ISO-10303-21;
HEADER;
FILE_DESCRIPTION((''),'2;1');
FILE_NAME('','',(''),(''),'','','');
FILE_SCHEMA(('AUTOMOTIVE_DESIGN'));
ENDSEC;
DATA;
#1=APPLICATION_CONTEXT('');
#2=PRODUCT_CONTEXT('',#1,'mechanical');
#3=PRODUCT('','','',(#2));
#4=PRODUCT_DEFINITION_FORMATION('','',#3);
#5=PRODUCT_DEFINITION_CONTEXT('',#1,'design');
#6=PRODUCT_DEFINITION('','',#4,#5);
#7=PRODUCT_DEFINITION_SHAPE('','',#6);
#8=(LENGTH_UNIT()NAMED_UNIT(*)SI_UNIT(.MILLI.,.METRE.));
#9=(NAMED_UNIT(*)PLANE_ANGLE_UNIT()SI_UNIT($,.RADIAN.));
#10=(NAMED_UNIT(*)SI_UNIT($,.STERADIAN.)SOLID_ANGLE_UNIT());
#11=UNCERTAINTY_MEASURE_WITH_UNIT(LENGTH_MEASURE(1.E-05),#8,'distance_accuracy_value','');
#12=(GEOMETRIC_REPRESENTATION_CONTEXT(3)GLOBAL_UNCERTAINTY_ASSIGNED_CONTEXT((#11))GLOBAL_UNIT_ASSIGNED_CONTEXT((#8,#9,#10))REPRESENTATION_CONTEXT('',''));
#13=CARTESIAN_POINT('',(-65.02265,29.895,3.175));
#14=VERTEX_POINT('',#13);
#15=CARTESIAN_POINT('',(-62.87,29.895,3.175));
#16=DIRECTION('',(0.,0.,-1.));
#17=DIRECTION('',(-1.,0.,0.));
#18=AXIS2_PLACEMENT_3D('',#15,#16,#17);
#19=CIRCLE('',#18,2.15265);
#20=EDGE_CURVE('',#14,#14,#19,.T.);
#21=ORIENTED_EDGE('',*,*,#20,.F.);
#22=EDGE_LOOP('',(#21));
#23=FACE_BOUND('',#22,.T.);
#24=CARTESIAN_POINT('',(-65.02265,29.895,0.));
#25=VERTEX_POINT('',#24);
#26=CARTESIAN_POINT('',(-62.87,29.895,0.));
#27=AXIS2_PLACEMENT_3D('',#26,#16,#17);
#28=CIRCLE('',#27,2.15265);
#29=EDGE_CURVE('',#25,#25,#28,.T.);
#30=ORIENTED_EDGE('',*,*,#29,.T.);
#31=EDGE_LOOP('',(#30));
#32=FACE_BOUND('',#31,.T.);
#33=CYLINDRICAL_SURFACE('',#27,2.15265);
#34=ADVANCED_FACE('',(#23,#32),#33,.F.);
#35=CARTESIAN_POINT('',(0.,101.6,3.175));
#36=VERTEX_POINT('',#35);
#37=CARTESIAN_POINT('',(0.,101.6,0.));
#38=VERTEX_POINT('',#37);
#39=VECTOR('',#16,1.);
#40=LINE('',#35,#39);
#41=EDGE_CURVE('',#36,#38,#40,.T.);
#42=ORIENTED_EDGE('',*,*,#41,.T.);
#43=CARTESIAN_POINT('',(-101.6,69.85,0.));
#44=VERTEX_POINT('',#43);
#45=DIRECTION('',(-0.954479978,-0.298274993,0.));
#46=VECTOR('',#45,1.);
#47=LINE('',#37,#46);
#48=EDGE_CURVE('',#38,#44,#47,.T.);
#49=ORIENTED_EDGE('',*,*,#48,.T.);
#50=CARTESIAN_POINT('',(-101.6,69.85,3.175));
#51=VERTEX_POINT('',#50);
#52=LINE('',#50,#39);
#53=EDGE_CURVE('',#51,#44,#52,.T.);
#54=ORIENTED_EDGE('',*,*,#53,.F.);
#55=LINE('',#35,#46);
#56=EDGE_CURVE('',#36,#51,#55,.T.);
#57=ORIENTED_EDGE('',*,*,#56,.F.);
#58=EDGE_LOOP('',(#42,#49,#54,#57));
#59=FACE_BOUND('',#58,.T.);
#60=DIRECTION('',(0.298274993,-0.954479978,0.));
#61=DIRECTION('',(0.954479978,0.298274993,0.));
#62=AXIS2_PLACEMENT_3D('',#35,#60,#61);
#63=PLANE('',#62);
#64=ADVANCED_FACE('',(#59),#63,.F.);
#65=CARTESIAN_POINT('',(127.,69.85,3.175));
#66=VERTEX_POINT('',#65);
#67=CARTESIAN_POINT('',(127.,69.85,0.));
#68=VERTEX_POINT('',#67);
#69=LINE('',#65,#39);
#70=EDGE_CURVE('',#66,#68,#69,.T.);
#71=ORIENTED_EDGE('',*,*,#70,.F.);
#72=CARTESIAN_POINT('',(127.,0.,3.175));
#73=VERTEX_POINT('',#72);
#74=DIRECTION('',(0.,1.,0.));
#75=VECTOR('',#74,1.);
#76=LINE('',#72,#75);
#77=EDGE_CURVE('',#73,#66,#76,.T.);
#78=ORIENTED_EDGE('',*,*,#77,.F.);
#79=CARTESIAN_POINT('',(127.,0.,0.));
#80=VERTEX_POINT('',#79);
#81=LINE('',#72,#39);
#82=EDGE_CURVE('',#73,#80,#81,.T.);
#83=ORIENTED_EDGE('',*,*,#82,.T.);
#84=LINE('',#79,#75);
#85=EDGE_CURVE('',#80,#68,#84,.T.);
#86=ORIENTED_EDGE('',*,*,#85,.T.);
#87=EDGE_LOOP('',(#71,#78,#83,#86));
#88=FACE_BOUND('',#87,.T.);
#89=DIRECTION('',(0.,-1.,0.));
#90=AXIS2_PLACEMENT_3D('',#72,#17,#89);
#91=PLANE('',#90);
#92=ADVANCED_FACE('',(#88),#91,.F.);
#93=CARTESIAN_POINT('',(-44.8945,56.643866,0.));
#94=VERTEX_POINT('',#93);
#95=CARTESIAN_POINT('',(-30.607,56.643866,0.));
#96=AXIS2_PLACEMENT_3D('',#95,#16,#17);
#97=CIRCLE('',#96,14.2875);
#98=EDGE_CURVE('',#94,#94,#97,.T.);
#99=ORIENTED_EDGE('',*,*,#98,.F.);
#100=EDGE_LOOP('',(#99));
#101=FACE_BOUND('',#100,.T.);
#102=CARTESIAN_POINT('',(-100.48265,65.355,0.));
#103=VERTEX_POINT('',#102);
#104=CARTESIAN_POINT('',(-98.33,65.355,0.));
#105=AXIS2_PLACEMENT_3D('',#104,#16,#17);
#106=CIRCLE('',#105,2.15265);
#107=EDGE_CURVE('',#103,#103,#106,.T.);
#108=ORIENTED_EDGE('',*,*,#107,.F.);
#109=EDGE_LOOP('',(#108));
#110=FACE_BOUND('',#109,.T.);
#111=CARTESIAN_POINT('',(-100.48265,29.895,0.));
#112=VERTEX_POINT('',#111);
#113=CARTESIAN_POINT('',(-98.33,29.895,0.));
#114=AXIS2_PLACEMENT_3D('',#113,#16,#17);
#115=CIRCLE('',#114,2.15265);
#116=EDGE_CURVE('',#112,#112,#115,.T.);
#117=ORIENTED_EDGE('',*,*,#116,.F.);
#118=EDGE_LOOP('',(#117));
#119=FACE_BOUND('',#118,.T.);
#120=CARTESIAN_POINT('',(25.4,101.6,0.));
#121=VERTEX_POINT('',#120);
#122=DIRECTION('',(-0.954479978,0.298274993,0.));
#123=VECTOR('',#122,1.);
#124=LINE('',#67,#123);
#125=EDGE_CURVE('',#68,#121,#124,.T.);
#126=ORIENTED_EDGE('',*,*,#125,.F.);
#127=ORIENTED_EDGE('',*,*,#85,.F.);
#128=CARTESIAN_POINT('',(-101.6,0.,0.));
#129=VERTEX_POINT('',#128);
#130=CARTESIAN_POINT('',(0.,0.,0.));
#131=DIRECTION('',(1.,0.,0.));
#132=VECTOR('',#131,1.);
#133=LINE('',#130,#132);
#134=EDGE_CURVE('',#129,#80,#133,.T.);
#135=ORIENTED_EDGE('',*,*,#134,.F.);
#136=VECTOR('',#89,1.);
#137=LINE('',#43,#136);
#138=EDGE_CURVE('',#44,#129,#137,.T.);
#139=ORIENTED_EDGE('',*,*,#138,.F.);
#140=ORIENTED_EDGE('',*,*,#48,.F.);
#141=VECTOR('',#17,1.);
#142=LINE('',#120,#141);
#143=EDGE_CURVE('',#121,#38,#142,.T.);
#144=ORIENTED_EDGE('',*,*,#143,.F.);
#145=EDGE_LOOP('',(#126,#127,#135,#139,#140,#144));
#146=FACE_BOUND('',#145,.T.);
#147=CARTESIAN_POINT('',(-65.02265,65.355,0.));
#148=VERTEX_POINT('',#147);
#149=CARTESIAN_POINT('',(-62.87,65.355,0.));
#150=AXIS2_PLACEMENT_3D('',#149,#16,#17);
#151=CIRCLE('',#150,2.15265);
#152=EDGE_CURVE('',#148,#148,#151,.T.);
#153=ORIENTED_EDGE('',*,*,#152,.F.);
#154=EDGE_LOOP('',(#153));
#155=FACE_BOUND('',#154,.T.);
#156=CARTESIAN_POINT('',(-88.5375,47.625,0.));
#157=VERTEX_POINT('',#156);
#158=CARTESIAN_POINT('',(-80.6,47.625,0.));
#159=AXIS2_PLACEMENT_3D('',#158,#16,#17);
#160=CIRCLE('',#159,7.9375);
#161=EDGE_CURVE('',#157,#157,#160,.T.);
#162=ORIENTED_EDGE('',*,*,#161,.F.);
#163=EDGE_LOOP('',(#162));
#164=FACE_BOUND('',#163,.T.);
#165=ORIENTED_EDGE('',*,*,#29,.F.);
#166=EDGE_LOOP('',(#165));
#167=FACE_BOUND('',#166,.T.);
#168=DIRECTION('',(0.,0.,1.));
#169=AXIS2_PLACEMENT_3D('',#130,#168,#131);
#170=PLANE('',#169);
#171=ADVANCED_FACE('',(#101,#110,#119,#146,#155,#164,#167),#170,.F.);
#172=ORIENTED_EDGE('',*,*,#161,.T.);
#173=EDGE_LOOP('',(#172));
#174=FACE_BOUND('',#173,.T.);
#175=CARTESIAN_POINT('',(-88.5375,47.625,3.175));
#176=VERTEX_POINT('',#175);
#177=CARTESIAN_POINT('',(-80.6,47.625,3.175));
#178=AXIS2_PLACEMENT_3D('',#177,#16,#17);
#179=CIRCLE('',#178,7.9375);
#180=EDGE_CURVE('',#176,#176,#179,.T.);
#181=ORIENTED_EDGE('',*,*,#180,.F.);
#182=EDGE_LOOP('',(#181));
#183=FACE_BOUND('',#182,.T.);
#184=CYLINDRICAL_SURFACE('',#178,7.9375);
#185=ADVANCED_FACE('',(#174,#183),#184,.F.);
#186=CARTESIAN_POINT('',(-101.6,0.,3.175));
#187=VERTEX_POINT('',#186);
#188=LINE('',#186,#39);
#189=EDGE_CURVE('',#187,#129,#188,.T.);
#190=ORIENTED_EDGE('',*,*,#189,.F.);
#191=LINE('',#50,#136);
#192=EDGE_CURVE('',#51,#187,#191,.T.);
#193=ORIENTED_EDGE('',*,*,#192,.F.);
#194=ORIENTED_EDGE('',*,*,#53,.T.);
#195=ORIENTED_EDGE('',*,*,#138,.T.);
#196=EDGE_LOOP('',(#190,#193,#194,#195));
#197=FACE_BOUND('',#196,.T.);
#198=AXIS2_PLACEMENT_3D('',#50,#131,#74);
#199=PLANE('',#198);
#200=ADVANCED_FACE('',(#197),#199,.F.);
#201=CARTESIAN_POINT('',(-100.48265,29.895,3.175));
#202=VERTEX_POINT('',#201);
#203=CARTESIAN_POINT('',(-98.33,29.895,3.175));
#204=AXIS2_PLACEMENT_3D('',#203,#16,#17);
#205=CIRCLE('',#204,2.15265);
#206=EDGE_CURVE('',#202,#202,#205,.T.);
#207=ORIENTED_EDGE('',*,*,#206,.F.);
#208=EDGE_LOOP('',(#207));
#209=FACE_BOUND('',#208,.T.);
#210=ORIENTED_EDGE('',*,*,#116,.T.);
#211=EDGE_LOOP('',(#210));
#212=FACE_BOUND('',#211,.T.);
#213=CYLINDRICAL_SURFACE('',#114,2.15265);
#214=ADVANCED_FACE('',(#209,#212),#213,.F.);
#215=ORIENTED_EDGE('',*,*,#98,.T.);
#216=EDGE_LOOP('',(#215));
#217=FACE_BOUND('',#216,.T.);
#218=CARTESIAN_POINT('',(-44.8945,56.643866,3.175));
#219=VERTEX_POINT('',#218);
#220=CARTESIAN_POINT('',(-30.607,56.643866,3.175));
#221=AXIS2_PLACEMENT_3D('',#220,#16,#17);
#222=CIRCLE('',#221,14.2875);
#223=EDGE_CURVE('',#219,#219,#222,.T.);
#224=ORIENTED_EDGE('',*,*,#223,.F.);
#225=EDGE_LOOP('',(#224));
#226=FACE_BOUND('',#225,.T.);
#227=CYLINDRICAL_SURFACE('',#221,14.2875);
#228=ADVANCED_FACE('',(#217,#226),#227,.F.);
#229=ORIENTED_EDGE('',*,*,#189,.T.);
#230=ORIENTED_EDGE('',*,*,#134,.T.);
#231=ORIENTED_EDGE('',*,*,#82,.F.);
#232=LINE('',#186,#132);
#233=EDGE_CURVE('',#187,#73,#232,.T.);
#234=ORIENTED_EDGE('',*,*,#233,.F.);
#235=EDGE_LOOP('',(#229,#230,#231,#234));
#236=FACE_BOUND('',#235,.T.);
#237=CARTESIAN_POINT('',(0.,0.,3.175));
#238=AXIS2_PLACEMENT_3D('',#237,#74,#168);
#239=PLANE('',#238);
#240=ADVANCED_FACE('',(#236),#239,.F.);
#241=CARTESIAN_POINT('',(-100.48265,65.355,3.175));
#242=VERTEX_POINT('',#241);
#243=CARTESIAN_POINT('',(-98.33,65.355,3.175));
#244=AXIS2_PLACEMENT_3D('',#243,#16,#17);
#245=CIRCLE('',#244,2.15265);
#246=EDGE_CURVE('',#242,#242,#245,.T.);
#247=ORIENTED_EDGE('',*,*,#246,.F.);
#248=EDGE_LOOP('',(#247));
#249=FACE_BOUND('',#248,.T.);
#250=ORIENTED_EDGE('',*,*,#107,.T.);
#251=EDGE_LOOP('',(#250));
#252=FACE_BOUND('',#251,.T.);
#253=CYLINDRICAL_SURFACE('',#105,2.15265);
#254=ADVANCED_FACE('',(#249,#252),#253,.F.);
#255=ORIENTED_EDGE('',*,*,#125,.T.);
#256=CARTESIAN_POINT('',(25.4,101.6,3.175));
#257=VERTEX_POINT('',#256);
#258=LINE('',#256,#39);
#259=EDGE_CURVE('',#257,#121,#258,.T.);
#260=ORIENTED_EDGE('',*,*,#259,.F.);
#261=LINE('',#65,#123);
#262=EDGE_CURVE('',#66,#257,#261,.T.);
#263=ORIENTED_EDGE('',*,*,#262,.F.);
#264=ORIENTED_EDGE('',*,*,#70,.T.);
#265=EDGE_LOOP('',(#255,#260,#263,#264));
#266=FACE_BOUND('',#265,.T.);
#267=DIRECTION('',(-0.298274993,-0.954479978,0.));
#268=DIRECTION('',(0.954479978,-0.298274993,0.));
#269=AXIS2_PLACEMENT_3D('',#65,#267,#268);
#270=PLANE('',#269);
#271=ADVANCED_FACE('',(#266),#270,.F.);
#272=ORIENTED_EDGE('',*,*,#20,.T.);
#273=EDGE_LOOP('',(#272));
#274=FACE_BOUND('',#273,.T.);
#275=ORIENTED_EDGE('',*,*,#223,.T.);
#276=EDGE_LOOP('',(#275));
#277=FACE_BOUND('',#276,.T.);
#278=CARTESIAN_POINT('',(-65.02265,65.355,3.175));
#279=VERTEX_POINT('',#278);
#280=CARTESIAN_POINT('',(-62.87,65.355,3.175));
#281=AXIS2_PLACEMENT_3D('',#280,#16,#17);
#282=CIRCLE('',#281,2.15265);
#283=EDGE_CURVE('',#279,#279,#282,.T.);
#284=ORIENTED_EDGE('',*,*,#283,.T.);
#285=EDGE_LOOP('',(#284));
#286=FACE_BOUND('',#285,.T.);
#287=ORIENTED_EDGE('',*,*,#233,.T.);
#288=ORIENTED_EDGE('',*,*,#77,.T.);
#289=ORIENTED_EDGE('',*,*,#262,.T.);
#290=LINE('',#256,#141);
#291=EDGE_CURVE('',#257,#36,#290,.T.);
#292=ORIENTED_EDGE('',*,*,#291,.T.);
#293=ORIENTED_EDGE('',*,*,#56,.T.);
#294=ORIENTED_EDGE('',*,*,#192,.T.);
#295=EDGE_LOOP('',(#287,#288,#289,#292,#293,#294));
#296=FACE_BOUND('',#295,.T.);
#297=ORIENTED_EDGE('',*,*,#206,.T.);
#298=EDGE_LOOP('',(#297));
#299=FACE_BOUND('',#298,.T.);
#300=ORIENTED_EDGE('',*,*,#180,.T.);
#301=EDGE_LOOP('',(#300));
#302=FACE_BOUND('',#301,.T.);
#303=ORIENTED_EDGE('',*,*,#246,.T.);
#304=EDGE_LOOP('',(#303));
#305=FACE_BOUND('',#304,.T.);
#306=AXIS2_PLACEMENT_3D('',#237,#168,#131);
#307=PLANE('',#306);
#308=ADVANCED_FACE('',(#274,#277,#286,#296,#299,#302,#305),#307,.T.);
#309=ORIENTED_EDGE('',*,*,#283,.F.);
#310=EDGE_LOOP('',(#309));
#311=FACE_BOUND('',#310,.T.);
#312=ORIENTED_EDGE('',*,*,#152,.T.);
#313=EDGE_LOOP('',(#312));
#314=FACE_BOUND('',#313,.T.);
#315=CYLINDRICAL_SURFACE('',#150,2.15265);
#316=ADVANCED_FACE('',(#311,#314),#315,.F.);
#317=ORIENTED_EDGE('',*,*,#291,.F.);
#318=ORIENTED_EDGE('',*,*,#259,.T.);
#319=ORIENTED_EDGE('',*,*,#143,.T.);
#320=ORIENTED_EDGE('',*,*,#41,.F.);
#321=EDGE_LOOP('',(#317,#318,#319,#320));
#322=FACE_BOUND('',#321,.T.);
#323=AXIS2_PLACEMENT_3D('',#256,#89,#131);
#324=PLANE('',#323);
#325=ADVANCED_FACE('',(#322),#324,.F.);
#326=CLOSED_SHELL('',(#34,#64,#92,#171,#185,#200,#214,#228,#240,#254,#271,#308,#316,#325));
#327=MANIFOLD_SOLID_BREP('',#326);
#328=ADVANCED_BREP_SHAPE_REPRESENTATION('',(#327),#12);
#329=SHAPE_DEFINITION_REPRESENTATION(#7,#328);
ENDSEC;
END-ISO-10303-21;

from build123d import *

# Parameters (mm, degrees)
BOSS_EXTRUDE1_DEPTH   = 3.175
SKETCH5_R             = 7.9375
CUT_EXTRUDE2_DEPTH    = 163.67034341
F_8_CLEARANCE_HOLE2_D = 4.3053
SKETCH8_R             = 14.2875
CUT_EXTRUDE3_DEPTH    = 163.67034341


with BuildPart() as part:
    # Sketch1 → Boss-Extrude1 (new body)
    with BuildSketch(Plane.XY):
        Polygon((0, 101.6), (-101.6, 69.85), (-101.6, 0), (0, 0), (127, 0), (127, 69.85), (25.4, 101.6), align=None)
    extrude(amount=BOSS_EXTRUDE1_DEPTH)

    # Sketch5 → Cut-Extrude2 (cut, through all)
    with BuildSketch(Plane(origin=(0, 0, 0), x_dir=(-1, 0, 0), z_dir=(0, 0, -1))):
        with Locations((80.6, 47.625)):
            Circle(SKETCH5_R)
    extrude(amount=-CUT_EXTRUDE2_DEPTH, mode=Mode.SUBTRACT)

    # #8 Clearance Hole2 (through all)
    with Locations(Plane(origin=(0, 0, 0), x_dir=(-1, 0, 0), z_dir=(0, 0, -1))):
        with Locations((80.6, 47.625), (98.33, 29.895), (62.87, 65.355), (62.87, 29.895), (98.33, 65.355)):
            Hole(F_8_CLEARANCE_HOLE2_D / 2)

    # Sketch8 → Cut-Extrude3 (cut, through all)
    with BuildSketch(Plane(origin=(0, 0, 0), x_dir=(-1, 0, 0), z_dir=(0, 0, -1))):
        with Locations((30.607, 56.643866392)):
            Circle(SKETCH8_R)
    extrude(amount=-CUT_EXTRUDE3_DEPTH, mode=Mode.SUBTRACT)


solid = part.part
